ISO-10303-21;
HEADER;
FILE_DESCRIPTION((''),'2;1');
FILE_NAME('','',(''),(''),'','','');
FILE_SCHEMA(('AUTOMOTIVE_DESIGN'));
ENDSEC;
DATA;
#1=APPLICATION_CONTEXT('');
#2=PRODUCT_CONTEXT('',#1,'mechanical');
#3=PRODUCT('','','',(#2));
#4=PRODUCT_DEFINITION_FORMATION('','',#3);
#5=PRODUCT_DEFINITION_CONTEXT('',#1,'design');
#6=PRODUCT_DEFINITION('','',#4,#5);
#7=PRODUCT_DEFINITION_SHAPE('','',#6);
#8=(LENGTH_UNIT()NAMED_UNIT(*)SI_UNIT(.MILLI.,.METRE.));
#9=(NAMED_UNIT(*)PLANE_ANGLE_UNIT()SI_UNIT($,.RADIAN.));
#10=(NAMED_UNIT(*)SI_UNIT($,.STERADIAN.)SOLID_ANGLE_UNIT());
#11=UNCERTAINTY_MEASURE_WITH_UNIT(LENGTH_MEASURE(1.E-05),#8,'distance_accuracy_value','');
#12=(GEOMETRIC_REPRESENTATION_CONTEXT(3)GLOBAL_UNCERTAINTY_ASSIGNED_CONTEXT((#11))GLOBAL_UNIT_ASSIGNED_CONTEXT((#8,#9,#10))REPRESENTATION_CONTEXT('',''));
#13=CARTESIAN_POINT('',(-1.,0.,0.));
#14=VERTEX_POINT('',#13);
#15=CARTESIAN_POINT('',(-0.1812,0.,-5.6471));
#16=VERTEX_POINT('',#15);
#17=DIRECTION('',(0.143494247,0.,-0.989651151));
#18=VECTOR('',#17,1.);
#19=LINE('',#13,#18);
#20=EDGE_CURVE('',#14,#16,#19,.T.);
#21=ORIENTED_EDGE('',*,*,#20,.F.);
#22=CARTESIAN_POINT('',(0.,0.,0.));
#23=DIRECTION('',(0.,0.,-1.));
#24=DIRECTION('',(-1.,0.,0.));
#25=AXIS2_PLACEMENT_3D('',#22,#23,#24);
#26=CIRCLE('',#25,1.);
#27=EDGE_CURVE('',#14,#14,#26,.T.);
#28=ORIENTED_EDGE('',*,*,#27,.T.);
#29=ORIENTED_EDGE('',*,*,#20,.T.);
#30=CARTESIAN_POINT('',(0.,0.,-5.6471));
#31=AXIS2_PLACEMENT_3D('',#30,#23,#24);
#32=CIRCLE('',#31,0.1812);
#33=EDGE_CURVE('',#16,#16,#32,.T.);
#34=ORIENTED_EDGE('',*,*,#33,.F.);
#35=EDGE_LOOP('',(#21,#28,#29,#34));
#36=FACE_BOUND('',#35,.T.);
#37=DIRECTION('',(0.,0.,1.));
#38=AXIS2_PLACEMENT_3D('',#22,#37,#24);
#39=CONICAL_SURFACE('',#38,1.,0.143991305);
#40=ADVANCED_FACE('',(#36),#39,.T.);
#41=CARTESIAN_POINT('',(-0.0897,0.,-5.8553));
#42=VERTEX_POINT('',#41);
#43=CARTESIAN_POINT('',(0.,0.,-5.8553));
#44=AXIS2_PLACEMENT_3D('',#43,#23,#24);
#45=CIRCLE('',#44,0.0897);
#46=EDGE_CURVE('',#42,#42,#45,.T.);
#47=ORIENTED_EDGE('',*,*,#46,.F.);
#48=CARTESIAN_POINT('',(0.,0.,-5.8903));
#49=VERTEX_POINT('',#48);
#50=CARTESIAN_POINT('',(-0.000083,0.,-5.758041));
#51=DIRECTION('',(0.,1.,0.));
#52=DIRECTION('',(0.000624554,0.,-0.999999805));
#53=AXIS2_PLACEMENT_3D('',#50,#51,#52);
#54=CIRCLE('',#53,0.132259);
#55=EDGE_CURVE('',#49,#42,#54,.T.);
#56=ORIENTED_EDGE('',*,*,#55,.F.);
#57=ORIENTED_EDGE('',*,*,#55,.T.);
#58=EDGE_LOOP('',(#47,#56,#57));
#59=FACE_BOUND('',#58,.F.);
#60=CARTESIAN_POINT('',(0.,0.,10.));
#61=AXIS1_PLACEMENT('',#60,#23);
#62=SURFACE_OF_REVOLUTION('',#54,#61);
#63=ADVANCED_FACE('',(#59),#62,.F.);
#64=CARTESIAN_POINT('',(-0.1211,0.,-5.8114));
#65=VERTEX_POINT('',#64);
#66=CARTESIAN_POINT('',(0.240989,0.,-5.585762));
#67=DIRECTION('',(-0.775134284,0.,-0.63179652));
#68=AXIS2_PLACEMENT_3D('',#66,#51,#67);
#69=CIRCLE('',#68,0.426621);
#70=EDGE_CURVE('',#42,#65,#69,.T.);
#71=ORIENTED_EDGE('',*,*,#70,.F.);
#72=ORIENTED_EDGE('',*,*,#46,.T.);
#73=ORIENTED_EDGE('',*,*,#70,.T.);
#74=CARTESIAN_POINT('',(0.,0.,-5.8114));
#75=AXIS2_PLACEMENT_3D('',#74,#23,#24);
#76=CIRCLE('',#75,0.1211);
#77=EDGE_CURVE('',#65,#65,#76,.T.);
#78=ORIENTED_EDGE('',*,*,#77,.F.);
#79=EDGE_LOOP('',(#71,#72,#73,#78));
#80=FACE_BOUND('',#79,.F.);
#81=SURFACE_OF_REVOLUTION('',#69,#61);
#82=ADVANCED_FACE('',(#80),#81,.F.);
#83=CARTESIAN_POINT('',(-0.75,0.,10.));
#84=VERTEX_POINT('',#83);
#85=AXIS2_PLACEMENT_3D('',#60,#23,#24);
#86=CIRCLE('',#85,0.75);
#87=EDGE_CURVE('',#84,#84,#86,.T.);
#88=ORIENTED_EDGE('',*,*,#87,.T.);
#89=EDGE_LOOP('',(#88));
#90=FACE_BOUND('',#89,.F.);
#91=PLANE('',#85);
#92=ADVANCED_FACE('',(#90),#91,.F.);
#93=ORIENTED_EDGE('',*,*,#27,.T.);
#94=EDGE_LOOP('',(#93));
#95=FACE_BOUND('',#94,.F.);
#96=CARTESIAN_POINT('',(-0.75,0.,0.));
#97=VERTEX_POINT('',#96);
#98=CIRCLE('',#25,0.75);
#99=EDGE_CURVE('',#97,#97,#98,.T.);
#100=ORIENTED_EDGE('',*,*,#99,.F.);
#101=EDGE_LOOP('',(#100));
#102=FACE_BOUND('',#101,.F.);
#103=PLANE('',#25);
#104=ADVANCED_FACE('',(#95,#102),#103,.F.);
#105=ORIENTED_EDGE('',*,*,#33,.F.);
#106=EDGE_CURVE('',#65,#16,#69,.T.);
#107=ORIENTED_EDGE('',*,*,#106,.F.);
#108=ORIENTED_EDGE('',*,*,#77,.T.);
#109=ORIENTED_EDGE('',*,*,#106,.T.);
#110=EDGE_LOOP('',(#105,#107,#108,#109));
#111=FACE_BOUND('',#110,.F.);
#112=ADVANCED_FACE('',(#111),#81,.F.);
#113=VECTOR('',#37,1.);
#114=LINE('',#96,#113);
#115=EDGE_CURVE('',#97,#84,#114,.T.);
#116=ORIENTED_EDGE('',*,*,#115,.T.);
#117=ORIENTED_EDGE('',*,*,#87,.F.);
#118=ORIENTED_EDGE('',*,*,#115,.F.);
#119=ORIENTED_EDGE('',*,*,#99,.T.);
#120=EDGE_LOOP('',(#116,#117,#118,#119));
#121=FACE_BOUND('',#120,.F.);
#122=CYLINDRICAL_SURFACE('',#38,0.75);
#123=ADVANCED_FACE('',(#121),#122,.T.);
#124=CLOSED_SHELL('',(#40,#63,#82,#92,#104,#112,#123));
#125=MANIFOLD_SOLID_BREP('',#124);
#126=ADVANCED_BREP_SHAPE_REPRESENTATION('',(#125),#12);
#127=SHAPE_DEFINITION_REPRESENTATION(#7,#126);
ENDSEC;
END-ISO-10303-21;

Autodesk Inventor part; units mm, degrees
ref_plane "YZ Plane" through (0, 0, 0) normal (1, 0, 0) x (0, 1, 0)
ref_plane "XZ Plane" through (0, 0, 0) normal (0, 1, 0) x (-1, 0, 0)
ref_plane "XY Plane" through (0, 0, 0) normal (0, 0, 1) x (1, 0, 0)
sketch "Sketch1" plane through (0, 0, 0) normal (0, 1, 0) x (-1, 0, 0)
  line L0 (1, 0) -> (0.1812, -5.6471)
  line L1 (1, 0) -> (0.75, 0)
  line L2 (0.75, 0) -> (0.75, 10)
  line L3 (0.75, 10) -> (0, 10)
  line L4 (0, 10) -> (0, -5.8903)
  arc A0 (0, -6.8827) -> (0.002, -6.8828) centre (0.001, -6.8827) ccw
  arc A1 (0.0897, -5.8553) -> (0.1812, -5.6471) centre (-0.2406, -5.586) ccw
  arc A2 (0, -5.8903) -> (0.1211, -5.8114) centre (0.0001, -5.7581) ccw
  point P0 (0, 0)
  dimension "d7" = 0.25
  dimension "d9" = 0.001
revolve "Revolution1" add sketch "Sketch1" angle 360 about axis through (0, 0, 10) along (0, 0, -1)
properties part number "Pencil Tip"
